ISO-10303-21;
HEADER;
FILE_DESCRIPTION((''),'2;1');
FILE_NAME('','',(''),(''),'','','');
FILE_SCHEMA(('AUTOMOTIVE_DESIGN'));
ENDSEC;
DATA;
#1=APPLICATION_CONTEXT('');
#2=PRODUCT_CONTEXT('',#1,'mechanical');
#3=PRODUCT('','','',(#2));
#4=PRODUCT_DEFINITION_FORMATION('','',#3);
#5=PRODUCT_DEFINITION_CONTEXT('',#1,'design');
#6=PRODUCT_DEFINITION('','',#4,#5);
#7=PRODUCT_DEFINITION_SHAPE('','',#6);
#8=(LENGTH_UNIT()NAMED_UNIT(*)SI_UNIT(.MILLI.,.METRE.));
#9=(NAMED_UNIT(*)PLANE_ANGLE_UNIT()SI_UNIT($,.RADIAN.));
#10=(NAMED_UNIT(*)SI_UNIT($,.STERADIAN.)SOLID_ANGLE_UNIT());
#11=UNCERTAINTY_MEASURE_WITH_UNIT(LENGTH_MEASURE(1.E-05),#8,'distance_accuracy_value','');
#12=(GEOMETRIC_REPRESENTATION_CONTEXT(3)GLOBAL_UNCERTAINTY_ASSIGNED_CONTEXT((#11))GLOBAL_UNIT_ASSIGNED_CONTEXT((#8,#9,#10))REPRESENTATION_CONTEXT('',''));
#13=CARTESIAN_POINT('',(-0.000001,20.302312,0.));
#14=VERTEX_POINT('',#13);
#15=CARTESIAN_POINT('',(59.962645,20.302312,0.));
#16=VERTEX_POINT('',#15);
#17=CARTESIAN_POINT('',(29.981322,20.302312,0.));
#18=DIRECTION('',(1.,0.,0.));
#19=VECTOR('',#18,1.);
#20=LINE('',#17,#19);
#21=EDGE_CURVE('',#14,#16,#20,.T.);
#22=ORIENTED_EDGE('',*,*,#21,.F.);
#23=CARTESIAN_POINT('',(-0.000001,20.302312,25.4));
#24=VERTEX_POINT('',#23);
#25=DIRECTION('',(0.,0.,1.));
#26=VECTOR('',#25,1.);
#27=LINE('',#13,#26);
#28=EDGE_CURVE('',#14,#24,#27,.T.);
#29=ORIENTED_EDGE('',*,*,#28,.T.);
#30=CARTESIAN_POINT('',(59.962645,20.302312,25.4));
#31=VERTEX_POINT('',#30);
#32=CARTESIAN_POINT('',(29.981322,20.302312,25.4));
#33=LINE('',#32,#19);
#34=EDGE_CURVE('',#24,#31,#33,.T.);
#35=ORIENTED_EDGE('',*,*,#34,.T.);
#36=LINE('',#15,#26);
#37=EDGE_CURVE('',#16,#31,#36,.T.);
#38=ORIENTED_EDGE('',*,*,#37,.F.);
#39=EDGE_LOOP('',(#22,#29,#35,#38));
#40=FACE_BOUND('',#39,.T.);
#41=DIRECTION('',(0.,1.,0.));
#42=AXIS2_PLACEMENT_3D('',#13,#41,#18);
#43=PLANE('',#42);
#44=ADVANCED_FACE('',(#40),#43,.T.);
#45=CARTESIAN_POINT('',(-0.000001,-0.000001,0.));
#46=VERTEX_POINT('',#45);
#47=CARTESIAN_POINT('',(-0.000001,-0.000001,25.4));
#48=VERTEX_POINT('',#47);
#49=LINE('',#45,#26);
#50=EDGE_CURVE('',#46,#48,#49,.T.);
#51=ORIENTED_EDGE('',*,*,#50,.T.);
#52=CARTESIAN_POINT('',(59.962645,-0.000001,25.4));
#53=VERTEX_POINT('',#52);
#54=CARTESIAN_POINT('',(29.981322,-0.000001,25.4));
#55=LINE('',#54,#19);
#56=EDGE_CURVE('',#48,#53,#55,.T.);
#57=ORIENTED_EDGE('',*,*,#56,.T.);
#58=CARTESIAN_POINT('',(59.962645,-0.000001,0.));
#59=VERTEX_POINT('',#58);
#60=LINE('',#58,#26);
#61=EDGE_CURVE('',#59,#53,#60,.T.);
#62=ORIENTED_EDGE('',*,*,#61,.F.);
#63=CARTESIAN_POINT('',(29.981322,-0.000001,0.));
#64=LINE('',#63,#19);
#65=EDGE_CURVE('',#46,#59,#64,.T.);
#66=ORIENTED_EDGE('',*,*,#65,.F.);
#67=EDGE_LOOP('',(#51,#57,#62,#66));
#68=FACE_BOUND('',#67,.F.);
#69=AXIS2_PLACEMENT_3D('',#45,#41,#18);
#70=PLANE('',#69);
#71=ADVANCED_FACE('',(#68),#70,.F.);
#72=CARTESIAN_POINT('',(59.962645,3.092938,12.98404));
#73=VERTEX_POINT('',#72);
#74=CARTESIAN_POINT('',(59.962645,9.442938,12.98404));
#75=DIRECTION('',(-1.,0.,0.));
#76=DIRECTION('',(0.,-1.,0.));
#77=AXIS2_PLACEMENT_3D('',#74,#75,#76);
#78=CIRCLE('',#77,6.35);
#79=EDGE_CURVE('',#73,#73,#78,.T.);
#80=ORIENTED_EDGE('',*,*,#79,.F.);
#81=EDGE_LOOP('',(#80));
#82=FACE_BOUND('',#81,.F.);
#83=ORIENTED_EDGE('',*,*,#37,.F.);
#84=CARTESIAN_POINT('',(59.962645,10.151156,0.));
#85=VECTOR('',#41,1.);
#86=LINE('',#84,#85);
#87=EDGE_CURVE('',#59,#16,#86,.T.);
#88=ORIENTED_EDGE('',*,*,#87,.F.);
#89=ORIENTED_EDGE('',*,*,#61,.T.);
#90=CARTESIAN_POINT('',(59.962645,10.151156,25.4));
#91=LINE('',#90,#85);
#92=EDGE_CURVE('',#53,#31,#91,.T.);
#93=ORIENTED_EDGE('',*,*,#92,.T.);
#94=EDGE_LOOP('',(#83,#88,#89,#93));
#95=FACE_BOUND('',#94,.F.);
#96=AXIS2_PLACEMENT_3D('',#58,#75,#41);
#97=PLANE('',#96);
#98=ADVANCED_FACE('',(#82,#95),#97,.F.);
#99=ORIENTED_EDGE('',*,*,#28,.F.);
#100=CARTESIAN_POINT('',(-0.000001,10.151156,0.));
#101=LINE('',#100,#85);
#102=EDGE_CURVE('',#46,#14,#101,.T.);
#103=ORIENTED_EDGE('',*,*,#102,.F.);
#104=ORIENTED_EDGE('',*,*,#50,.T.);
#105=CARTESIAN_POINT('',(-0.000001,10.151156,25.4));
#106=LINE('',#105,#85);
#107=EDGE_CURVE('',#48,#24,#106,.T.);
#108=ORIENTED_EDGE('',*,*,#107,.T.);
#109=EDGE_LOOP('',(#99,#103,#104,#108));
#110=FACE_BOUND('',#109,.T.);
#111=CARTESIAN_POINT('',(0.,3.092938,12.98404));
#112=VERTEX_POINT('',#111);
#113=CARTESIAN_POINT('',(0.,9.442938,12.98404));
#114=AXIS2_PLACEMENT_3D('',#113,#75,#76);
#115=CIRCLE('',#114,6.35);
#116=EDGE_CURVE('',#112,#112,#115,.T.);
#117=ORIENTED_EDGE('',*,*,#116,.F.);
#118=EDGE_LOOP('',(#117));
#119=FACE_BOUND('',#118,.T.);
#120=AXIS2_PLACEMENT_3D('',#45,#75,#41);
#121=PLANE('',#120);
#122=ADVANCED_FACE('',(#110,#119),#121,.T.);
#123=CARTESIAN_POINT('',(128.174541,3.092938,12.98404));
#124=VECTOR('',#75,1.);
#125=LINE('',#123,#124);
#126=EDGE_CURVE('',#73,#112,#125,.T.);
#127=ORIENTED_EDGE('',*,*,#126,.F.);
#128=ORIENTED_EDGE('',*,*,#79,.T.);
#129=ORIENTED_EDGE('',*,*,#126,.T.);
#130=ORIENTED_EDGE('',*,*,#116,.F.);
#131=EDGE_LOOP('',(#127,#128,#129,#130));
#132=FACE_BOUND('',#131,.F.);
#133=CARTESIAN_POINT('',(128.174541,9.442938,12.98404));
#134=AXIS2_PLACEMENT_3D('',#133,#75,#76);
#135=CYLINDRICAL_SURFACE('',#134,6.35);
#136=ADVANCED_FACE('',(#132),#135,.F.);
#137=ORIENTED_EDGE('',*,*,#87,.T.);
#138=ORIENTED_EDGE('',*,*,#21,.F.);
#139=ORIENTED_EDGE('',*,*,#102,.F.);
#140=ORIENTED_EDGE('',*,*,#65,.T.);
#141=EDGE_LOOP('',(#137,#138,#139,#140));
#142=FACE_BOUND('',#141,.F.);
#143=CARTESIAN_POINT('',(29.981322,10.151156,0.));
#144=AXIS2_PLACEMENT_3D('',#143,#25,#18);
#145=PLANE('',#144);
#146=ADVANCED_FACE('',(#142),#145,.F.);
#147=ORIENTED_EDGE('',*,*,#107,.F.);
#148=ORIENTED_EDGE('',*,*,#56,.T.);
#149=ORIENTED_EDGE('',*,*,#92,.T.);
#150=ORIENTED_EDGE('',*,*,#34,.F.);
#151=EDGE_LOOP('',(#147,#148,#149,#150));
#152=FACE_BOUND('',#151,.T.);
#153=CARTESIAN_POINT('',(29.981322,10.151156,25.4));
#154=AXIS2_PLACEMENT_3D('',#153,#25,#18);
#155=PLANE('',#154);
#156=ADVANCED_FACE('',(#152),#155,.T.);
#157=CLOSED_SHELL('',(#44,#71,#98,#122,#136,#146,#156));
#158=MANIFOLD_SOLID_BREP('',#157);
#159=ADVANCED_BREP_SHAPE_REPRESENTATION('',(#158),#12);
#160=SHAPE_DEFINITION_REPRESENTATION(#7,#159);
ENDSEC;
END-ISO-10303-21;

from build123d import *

# Parameters (mm, degrees)
F0_W     = 59.962645
F0_H     = 20.302313
F1_DEPTH = 25.4
F3_D     = 12.7


with BuildPart() as f1:
    # F0 (on Top) → F1 (new body)
    with BuildSketch(Plane.XY):
        with Locations((29.981322, 10.151156)):
            Rectangle(F0_W, F0_H)
    extrude(amount=F1_DEPTH)

    # F3 (through all)
    with Locations(Plane.YZ.offset(59.962645)):
        with Locations((9.442938, 12.98404)):
            Hole(F3_D / 2)


solid = f1.part
